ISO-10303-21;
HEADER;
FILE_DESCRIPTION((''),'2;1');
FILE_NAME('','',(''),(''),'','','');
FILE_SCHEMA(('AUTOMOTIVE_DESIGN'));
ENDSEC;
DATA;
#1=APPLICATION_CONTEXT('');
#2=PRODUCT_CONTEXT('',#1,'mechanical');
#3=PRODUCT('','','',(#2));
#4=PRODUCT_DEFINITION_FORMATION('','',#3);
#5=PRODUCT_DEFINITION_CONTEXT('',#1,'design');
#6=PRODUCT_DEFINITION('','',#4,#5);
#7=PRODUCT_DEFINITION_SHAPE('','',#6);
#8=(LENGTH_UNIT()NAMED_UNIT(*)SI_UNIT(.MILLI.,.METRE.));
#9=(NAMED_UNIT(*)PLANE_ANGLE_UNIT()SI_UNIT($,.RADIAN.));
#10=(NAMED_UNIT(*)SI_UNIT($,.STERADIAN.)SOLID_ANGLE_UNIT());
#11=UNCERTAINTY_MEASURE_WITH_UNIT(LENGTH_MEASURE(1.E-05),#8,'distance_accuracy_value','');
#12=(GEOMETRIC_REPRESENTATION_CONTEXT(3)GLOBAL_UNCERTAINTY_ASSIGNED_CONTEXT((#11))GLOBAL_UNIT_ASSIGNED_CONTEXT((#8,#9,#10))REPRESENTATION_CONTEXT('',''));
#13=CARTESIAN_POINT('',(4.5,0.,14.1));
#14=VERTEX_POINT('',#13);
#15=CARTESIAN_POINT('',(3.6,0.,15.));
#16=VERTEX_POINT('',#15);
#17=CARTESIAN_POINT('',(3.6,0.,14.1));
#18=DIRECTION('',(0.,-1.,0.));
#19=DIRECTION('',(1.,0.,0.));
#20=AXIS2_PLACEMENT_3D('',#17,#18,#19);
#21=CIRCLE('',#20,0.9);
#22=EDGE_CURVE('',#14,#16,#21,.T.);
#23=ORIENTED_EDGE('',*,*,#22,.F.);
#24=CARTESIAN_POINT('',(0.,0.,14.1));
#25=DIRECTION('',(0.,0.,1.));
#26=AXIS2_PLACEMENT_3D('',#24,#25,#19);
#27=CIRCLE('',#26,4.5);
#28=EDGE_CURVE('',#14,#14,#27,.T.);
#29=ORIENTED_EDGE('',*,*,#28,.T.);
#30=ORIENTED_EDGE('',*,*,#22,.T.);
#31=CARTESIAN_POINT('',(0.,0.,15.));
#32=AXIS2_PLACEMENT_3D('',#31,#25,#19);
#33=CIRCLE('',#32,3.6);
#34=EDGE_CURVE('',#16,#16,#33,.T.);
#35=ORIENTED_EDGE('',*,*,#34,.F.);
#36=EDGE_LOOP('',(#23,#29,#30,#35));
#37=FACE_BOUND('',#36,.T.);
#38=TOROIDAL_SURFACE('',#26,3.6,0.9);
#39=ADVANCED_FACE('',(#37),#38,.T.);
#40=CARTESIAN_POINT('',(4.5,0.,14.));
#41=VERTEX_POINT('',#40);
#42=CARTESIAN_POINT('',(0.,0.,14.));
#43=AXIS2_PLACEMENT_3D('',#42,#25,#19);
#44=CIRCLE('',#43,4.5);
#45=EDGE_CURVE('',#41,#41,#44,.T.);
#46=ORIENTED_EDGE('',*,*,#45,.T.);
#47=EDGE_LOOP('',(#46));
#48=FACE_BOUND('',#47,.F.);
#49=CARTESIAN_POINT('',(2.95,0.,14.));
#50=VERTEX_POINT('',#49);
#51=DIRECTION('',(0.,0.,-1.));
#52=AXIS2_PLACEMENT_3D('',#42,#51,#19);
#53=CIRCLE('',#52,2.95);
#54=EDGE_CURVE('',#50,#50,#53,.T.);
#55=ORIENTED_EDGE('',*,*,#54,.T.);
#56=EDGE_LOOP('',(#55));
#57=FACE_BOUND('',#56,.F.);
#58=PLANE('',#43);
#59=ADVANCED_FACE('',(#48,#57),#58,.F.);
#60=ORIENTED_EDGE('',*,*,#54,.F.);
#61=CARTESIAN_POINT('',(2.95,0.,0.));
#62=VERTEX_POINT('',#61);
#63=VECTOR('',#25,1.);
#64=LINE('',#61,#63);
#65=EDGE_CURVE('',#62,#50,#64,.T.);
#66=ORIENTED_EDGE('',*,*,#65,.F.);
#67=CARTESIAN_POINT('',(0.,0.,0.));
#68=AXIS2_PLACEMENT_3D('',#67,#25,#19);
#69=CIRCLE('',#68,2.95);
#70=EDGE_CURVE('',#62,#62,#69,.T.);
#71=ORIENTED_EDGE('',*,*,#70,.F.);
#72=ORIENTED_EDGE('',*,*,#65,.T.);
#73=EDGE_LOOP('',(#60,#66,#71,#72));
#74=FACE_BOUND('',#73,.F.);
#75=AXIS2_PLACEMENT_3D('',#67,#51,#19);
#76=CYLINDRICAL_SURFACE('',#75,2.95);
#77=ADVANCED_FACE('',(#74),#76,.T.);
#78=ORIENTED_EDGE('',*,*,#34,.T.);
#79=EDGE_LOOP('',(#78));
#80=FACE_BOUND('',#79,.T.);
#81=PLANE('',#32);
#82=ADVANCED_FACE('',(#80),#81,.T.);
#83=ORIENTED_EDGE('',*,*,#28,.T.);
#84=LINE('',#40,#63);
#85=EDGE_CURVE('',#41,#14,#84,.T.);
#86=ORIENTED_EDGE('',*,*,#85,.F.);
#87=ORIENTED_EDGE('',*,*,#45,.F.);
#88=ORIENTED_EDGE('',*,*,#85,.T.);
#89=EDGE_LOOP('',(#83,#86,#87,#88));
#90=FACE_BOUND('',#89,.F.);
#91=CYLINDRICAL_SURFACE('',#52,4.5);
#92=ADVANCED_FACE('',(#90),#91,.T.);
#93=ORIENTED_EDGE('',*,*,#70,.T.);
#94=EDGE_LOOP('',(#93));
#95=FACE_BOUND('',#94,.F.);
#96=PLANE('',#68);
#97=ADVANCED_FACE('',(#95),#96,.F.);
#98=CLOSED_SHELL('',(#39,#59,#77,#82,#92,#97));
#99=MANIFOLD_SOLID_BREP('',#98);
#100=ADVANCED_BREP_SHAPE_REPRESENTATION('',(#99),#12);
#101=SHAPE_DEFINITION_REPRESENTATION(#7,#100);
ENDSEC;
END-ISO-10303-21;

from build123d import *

# Parameters (mm, degrees)
CYLINDER001_R     = 4.5
CYLINDER001_DEPTH = 1
FILLET_R          = 0.9
CYLINDER_R        = 2.95
CYLINDER_DEPTH    = 15


with BuildPart() as fillet_body:
    # Cylinder001 → Cylinder001 (new body)
    with BuildSketch(Plane.XY.offset(14)):
        Circle(CYLINDER001_R)
    extrude(amount=CYLINDER001_DEPTH)

    # Fillet
    fillet_edges = [fillet_body.edges().sort_by_distance(p)[0] for p in [
        (-4.5, 0, 15),
    ]]
    fillet(fillet_edges, radius=FILLET_R)


with BuildPart() as fusion:
    # Cylinder → Cylinder (new body)
    with BuildSketch(Plane.XY):
        Circle(CYLINDER_R)
    extrude(amount=CYLINDER_DEPTH)

    # Fusion: union Fillet body
    add(fillet_body.part)


solid = fusion.part
